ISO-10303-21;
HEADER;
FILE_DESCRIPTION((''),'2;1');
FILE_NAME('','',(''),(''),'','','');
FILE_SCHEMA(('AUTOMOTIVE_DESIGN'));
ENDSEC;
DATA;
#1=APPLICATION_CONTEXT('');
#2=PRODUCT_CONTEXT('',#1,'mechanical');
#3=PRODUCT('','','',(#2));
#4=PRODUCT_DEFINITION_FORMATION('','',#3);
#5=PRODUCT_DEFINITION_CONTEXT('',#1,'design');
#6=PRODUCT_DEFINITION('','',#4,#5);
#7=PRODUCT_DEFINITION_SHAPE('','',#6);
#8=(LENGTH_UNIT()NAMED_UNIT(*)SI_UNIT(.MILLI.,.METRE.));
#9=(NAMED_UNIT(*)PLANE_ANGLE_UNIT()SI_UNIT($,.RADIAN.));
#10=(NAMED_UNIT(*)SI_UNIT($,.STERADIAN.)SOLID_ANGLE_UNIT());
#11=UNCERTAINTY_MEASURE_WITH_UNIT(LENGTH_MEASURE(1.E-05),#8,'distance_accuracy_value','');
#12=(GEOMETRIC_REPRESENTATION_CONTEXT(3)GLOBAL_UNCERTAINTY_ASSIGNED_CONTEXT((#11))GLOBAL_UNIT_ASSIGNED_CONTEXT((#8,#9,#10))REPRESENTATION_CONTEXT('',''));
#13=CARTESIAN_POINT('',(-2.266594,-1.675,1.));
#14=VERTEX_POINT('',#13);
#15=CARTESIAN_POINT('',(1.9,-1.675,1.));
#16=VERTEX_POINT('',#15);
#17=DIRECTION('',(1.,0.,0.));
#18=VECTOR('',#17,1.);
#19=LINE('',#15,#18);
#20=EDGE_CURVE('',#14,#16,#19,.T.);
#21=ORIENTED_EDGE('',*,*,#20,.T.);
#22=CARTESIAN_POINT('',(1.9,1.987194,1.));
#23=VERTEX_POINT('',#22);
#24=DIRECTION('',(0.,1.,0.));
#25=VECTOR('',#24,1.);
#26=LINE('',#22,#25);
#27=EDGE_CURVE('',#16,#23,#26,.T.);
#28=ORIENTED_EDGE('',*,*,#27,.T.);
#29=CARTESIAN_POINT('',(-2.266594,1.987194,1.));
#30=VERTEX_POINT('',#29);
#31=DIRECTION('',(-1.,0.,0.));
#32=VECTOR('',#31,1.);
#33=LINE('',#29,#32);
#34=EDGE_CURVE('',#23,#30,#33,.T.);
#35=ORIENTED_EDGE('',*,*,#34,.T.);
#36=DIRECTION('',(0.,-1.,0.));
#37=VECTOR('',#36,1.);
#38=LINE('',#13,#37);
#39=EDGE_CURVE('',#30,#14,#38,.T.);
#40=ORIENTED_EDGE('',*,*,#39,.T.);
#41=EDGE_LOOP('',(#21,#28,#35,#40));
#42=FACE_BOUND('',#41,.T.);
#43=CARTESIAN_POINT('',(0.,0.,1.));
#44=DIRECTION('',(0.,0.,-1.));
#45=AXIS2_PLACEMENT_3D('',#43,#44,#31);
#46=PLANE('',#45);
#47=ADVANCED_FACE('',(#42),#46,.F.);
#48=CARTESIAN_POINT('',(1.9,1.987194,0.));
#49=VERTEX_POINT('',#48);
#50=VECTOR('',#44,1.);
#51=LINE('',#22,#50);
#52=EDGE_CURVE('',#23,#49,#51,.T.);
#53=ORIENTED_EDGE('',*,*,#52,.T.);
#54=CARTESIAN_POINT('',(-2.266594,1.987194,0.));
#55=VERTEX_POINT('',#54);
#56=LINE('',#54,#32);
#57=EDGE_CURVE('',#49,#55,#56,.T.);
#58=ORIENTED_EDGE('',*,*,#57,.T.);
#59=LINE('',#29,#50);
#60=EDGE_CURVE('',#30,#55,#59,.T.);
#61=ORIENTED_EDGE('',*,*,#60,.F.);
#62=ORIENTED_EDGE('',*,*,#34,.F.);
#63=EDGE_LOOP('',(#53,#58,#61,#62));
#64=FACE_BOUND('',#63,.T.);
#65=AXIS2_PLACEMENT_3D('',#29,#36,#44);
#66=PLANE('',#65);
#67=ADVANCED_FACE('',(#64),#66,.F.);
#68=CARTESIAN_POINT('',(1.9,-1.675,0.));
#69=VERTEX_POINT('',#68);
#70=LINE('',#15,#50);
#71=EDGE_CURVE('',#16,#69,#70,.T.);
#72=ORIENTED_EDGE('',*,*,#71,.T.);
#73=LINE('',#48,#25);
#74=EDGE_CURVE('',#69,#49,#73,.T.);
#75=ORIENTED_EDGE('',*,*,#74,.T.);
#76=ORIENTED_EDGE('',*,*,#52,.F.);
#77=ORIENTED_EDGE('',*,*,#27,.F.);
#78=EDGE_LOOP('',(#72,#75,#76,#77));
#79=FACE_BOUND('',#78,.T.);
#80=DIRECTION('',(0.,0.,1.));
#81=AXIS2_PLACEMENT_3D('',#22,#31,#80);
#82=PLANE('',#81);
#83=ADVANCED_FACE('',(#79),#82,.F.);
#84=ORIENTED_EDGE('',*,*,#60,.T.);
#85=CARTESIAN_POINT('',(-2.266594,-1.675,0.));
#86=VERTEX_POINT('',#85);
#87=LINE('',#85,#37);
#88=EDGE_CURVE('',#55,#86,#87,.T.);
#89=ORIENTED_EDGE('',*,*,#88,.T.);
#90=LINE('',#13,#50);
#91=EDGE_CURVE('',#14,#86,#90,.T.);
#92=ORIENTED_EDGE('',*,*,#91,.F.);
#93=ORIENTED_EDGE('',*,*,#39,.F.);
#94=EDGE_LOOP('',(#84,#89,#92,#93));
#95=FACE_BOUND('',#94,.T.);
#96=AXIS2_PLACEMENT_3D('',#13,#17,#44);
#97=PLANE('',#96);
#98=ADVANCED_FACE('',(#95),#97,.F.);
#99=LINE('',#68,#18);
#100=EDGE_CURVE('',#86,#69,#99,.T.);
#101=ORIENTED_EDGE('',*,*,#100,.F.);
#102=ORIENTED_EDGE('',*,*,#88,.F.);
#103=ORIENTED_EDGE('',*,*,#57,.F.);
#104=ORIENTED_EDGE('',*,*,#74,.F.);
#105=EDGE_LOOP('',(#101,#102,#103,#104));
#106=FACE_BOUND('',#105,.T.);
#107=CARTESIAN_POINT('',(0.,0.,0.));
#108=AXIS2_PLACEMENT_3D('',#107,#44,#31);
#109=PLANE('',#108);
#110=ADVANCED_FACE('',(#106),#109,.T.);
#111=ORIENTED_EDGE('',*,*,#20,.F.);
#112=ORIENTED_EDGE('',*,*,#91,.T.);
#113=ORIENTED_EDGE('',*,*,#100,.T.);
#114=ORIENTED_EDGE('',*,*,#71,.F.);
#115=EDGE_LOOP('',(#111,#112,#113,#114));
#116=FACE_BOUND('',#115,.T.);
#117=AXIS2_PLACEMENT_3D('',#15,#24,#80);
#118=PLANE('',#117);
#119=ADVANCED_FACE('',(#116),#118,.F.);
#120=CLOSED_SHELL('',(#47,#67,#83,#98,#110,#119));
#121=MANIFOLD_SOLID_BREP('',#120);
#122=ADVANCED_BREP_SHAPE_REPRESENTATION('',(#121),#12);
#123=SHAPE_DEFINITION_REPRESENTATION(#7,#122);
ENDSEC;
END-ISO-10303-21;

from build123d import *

# Parameters (mm, degrees)
SKETCH1_W               = 4.166594
SKETCH1_H               = 3.662194
COMPONENT_OUTLINE_DEPTH = 1


with BuildPart() as part:
    # Sketch1 → Component_Outline (new body)
    with BuildSketch(Plane.XY):
        with Locations((-0.183297, 0.156097)):
            Rectangle(SKETCH1_W, SKETCH1_H)
    extrude(amount=COMPONENT_OUTLINE_DEPTH)


solid = part.part
